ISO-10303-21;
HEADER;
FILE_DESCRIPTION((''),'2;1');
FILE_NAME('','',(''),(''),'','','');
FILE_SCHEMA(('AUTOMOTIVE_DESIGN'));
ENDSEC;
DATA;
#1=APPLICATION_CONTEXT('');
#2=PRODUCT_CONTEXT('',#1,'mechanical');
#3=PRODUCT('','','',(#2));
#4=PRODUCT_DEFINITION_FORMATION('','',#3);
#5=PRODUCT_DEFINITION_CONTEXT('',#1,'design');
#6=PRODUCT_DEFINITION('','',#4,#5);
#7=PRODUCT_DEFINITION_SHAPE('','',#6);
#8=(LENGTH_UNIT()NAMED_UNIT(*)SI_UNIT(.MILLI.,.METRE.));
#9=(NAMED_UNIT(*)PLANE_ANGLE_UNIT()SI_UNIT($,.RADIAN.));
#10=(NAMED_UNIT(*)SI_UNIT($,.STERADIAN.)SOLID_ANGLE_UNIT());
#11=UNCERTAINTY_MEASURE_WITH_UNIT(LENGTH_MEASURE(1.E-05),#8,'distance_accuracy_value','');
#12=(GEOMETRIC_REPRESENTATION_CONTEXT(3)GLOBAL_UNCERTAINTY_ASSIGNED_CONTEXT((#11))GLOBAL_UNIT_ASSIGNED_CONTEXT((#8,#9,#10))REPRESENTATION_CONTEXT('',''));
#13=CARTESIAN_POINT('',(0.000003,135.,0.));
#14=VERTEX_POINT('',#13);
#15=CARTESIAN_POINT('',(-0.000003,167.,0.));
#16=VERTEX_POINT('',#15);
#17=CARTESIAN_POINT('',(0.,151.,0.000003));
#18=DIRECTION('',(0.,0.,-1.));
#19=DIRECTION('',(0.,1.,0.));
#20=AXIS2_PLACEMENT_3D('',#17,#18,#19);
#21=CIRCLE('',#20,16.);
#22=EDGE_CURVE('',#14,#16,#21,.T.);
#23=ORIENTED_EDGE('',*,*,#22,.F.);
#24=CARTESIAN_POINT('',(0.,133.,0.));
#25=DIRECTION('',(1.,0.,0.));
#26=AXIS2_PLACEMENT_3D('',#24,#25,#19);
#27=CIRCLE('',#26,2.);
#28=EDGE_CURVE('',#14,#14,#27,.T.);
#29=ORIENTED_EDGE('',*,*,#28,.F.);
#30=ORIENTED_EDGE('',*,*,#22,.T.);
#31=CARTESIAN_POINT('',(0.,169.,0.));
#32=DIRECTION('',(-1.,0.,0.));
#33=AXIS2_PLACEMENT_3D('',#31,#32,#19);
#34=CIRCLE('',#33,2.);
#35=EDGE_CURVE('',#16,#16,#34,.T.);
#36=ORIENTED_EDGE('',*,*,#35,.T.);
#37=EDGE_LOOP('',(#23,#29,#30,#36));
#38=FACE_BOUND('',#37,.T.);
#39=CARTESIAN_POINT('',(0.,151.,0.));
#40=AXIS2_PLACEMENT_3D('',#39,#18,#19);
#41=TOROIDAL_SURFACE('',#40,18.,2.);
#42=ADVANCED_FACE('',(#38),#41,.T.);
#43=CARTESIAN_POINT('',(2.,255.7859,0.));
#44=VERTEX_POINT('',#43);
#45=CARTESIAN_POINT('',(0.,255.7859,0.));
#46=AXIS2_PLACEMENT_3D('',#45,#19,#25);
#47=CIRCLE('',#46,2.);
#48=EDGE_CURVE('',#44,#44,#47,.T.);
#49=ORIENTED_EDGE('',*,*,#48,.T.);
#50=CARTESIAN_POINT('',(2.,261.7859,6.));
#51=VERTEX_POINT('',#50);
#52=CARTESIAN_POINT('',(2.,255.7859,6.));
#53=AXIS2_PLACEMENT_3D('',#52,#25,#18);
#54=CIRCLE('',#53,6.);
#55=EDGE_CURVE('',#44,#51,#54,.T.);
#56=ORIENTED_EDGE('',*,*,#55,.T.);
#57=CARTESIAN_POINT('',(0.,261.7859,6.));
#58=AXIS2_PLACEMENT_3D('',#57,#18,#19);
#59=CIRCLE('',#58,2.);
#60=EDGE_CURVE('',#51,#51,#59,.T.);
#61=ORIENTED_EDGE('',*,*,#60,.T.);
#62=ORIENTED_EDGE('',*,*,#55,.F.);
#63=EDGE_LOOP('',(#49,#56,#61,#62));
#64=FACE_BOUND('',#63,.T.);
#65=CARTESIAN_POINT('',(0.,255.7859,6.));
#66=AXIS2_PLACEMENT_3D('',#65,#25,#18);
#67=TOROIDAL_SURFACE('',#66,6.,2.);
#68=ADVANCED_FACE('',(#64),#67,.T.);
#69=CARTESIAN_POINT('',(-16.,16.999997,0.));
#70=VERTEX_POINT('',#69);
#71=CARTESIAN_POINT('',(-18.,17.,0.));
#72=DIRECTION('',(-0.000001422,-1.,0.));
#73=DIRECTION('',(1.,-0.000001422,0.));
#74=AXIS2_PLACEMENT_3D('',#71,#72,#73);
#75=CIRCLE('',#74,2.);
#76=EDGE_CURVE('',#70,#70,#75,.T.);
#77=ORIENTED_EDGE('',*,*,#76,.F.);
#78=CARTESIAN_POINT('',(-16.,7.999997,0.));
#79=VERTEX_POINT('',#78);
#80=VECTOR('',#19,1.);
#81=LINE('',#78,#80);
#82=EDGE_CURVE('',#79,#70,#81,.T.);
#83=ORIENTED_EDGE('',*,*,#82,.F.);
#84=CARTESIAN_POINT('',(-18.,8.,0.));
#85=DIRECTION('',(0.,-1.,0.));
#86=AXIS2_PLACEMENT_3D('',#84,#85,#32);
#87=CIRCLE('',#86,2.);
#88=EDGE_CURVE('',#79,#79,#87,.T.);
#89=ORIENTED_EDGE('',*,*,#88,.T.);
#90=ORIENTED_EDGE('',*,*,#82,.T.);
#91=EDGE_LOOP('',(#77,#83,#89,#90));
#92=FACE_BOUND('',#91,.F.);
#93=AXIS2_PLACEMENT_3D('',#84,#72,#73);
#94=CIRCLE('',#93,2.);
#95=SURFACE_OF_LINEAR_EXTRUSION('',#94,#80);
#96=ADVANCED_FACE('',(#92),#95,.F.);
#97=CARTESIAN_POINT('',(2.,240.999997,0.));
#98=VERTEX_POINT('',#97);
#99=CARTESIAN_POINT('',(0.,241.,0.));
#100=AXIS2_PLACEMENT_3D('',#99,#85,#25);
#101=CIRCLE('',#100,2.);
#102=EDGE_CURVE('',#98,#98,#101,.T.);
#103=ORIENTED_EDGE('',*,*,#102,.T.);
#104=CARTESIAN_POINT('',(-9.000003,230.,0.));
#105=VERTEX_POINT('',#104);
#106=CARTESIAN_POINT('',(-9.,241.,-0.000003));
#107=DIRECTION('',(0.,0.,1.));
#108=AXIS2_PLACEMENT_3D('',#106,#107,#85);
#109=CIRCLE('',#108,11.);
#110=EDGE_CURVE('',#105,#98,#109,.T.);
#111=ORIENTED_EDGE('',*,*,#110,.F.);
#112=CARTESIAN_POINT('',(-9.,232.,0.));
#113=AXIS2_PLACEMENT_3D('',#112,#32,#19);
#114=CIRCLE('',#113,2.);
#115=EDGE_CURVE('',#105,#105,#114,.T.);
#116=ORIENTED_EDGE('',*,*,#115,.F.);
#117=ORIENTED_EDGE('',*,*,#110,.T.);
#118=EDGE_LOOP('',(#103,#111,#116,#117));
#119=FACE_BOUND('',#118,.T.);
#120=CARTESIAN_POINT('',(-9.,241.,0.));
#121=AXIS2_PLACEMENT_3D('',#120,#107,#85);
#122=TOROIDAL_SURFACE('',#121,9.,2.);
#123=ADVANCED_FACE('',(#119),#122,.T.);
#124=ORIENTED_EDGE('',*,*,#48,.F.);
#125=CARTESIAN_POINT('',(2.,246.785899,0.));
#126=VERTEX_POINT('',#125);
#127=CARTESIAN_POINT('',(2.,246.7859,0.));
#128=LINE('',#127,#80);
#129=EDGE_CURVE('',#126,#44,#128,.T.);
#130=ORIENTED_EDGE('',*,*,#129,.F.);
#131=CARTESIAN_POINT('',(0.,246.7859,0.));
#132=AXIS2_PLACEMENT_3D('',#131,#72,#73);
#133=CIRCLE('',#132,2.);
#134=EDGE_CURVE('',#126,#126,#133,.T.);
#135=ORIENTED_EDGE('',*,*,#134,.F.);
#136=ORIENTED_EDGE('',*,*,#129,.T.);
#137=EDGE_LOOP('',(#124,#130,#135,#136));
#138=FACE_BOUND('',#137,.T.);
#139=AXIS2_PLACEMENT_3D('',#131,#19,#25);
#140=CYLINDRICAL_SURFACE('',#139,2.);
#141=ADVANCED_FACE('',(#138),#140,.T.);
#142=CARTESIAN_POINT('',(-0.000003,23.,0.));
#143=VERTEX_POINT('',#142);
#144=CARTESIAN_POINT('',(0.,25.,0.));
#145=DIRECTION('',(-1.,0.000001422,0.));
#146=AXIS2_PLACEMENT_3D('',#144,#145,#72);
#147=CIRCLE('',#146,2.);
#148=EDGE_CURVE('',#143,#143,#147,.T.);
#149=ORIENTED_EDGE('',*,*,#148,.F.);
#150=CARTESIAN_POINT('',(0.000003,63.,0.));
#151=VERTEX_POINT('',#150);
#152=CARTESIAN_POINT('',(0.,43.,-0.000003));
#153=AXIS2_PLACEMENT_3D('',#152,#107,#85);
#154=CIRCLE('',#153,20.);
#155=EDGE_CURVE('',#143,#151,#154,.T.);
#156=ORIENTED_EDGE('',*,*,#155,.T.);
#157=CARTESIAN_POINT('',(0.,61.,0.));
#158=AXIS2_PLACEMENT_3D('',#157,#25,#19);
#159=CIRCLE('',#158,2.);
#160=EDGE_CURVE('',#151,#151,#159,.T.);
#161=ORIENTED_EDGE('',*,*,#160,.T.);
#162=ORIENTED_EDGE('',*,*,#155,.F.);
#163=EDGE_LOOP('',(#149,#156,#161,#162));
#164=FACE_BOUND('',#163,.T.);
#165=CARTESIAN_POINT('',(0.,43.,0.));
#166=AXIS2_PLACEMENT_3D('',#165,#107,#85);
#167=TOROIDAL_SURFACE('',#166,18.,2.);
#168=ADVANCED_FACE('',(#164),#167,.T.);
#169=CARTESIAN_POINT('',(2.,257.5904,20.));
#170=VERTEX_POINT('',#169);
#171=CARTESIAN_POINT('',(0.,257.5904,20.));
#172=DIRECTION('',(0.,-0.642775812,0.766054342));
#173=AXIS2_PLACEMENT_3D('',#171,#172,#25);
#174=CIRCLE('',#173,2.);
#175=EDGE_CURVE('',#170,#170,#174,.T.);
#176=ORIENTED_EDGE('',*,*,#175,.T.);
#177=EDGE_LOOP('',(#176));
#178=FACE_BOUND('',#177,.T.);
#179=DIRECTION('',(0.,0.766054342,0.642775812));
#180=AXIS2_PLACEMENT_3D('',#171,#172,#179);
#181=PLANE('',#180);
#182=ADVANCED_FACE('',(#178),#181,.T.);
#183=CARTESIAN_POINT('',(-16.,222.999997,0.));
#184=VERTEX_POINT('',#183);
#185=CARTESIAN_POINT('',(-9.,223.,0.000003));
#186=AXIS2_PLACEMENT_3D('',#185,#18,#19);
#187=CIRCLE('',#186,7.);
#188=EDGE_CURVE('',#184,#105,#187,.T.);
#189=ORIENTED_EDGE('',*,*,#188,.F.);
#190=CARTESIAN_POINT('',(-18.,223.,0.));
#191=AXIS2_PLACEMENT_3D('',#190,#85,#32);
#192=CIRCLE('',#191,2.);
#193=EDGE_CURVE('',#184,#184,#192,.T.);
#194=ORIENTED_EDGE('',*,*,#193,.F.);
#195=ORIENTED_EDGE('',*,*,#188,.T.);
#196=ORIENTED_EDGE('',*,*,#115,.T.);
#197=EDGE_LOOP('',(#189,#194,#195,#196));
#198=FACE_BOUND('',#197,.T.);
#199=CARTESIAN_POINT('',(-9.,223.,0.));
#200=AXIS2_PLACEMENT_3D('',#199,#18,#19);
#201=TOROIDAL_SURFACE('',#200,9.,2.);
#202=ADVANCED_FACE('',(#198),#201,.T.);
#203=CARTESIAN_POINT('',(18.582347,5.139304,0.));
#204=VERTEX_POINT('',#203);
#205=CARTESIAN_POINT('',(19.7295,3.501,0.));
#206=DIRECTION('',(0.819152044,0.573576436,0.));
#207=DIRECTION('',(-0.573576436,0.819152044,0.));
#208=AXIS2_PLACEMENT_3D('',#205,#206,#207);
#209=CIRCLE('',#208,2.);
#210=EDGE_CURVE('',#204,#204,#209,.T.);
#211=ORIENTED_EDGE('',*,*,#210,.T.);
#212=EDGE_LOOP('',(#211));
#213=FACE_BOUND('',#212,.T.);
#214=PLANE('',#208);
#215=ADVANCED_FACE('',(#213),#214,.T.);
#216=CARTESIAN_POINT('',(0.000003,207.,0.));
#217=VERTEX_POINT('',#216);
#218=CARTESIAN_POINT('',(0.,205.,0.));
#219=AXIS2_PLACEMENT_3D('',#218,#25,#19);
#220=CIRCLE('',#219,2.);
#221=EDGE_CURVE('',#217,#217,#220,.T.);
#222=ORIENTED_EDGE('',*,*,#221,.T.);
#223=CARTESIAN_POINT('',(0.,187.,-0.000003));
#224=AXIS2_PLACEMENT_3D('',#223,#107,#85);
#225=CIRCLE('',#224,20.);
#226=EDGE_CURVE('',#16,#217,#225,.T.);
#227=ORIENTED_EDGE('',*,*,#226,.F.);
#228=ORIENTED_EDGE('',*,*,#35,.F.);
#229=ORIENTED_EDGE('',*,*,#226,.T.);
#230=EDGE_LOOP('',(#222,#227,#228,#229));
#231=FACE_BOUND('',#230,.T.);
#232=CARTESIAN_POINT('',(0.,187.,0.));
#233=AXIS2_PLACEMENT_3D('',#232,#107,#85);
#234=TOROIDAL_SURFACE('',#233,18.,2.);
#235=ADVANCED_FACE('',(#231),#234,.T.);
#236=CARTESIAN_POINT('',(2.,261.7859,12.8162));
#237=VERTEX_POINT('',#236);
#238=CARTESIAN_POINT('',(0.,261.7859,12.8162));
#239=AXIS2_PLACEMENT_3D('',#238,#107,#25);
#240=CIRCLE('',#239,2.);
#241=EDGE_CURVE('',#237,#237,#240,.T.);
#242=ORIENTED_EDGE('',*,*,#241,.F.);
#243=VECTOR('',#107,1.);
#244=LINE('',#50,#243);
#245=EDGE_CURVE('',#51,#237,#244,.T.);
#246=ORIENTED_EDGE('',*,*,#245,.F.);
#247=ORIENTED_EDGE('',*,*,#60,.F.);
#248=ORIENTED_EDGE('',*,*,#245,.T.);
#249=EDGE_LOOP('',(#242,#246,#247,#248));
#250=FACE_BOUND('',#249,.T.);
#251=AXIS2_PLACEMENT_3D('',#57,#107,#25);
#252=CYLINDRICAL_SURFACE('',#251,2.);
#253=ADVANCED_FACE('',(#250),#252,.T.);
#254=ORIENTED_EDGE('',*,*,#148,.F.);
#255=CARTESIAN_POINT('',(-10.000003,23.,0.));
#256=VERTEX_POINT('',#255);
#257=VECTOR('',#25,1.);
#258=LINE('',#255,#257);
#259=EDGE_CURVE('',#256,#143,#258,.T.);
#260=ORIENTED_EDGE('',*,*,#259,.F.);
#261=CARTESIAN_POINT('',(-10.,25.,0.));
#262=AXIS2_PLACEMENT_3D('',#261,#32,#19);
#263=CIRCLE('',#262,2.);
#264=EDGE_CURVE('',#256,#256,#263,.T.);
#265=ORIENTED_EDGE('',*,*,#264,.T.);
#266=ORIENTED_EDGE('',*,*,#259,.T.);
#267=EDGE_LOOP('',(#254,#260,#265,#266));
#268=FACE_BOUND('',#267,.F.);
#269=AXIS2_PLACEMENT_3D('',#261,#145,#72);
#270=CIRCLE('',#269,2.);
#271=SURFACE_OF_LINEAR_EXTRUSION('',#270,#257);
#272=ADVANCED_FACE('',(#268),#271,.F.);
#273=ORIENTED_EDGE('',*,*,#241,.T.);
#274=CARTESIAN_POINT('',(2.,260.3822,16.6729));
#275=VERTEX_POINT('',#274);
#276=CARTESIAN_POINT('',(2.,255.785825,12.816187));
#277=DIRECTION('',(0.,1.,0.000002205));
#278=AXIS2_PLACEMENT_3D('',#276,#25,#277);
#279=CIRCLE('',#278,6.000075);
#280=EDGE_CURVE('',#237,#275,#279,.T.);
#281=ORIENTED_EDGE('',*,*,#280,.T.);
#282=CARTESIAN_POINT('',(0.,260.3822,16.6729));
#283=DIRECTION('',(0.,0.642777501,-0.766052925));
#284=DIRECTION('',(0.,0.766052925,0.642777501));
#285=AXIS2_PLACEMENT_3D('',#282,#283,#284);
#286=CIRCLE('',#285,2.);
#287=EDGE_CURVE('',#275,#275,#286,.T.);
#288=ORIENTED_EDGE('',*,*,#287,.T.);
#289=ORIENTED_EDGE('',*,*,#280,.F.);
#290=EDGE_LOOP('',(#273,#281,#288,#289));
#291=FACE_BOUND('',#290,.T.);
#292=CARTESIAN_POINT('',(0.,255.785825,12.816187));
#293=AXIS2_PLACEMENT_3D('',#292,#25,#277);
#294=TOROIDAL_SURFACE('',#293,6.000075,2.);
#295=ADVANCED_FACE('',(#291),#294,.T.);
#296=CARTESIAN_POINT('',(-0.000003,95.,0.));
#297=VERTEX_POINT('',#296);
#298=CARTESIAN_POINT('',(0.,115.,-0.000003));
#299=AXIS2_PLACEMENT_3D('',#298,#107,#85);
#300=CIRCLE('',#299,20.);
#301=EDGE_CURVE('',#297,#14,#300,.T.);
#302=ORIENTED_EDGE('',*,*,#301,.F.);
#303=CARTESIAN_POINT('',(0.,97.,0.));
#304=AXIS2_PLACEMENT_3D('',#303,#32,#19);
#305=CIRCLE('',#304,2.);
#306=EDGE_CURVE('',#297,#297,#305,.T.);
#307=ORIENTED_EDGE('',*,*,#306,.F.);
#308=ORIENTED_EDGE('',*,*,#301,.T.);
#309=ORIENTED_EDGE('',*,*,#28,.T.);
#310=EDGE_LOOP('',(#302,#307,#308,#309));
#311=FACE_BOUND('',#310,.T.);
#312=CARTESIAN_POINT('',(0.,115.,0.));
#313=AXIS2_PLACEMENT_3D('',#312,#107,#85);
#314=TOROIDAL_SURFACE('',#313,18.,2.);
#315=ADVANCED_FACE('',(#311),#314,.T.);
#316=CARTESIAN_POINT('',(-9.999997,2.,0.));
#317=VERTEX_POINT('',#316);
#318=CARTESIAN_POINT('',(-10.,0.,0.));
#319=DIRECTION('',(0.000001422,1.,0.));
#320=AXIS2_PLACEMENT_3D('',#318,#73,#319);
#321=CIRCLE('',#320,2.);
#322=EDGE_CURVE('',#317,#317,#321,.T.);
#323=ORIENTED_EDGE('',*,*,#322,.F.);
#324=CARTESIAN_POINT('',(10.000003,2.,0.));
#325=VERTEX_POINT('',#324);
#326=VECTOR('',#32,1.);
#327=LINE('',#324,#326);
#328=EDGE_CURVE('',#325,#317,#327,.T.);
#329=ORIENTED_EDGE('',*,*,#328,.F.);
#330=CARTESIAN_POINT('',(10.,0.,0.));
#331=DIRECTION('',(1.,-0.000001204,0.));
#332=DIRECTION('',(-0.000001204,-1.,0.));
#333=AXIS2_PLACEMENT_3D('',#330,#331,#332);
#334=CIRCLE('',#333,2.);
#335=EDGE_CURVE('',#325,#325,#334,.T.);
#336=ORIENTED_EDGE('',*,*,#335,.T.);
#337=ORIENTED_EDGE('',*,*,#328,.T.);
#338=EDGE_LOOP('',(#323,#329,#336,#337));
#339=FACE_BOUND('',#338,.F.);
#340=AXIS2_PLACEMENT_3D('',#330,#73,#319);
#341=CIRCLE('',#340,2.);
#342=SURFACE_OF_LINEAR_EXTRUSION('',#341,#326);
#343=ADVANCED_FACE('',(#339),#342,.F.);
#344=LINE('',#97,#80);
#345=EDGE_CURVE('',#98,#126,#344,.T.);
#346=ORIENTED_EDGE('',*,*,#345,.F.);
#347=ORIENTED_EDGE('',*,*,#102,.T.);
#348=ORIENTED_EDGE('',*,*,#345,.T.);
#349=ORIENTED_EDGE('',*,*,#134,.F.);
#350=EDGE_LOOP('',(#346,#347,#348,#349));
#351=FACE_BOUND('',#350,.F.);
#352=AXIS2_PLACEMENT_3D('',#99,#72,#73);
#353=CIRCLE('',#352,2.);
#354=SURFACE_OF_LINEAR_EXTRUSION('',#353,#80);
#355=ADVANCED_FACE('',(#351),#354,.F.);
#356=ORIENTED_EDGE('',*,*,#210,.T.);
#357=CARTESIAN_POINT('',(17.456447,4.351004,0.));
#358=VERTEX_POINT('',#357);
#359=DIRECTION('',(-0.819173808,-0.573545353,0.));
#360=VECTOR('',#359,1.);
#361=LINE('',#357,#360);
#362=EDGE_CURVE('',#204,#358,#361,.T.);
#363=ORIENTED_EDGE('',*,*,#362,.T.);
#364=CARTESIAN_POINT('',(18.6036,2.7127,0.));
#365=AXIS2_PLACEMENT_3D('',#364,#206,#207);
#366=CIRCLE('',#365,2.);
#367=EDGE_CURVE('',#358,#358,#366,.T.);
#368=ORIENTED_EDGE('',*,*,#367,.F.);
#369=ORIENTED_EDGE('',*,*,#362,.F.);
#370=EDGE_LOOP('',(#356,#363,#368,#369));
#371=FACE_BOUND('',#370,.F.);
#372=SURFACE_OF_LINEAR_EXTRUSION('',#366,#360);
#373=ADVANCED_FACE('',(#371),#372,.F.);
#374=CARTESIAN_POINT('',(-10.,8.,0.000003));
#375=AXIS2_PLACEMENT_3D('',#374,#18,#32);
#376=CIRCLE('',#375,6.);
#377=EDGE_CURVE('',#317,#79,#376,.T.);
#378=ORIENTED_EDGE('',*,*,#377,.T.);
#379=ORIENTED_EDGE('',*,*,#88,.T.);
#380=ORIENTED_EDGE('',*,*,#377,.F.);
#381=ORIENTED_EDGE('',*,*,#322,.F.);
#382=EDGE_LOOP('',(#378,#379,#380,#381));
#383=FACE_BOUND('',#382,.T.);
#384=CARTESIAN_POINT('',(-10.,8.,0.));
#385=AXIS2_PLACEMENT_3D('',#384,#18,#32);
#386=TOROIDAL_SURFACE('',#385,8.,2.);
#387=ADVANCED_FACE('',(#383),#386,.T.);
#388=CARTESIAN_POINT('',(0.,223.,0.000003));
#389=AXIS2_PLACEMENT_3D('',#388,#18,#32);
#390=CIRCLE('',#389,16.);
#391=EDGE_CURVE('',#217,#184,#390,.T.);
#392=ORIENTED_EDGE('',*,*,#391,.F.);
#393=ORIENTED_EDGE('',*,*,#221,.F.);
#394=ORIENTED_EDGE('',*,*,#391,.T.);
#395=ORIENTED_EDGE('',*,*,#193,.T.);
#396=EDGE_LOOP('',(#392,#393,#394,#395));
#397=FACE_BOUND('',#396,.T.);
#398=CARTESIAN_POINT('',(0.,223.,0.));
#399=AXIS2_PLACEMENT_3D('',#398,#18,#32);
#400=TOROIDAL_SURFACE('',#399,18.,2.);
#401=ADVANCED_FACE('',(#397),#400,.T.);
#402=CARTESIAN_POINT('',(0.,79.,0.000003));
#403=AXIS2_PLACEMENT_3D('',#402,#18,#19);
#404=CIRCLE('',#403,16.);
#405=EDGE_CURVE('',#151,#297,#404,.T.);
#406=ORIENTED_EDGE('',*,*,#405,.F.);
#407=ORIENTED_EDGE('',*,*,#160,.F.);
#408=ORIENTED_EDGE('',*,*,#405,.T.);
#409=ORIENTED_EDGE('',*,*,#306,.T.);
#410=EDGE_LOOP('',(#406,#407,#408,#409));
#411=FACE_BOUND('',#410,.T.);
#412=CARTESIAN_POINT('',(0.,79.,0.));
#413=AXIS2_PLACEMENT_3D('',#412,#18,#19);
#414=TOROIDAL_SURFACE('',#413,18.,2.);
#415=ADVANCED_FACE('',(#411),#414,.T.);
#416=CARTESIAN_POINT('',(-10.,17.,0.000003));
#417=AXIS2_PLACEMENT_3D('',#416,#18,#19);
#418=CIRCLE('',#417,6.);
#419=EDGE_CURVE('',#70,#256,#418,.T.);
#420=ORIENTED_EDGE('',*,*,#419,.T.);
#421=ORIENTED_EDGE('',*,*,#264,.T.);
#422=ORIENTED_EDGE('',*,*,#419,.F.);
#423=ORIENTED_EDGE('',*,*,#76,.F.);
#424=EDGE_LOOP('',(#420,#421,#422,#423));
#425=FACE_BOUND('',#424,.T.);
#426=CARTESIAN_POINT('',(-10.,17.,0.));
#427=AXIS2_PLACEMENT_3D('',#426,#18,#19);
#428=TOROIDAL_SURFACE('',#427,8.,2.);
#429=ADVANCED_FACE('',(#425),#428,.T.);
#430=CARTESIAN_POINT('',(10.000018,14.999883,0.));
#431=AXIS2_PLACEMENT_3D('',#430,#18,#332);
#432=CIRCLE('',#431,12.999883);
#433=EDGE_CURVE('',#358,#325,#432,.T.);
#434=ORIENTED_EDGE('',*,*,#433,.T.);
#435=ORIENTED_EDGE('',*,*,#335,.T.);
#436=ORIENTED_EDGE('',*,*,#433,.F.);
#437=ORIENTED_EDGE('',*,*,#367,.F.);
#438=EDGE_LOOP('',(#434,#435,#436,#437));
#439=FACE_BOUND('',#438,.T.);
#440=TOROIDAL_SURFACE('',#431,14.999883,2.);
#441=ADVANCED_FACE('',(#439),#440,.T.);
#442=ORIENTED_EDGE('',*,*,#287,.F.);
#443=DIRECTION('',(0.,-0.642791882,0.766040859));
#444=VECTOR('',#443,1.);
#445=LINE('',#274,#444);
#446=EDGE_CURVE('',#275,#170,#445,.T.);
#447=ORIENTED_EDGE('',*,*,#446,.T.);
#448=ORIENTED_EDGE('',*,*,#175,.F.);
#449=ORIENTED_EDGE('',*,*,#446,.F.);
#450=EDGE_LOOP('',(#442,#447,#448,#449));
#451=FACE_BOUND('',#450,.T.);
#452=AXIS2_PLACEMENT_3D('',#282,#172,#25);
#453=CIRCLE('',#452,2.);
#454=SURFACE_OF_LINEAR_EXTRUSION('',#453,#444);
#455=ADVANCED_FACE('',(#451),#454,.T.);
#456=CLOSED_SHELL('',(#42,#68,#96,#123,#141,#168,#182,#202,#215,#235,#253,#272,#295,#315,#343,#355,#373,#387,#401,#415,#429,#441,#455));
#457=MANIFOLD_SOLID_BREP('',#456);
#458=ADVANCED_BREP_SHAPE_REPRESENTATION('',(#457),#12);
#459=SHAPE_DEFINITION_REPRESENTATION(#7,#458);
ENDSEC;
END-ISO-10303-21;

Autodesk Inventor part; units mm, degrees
ref_plane "YZ Plane" through (0, 0, 0) normal (1, 0, 0) x (0, 1, 0)
ref_plane "XZ Plane" through (0, 0, 0) normal (0, 1, 0) x (-1, 0, 0)
sketch "Sketch1" plane through (0, 0, 0) normal (0, 0, 1) x (1, 0, 0)
  line L0 (10, 0) -> (-10, 0)
  line L1 (-18, 8) -> (-18, 17)
  line L2 (-10, 25) -> (0, 25)
  line L3 (18.6036, 2.7127) -> (19.7295, 3.501)
  arc A0 (-10, 25) -> (-18, 17) centre (-10, 17) ccw
  arc A1 (-18, 8) -> (-10, 0) centre (-10, 8) ccw
  arc A2 (10, 0) -> (18.6036, 2.7127) centre (10, 15) ccw
  line L4 (0, 241) -> (0, 279.2364) construction
  arc A3 (0, 25) -> (0, 61) centre (0, 43) ccw
  arc A4 (0, 97) -> (0, 61) centre (0, 79) ccw
  arc A5 (0, 169) -> (0, 133) centre (0, 151) ccw
  arc A6 (-18, 223) -> (0, 205) centre (0, 223) ccw
  arc A7 (-9, 232) -> (-18, 223) centre (-9, 223) ccw
  line L5 (0, 223) -> (-9, 223) construction
  line L6 (0, 241) -> (0, 246.7859)
  line L7 (0, 97) -> (0, 133) construction
  line L8 (0, 169) -> (0, 205) construction
  arc A8 (0, 97) -> (0, 133) centre (0, 115) ccw
  arc A9 (0, 169) -> (0, 205) centre (0, 187) ccw
  arc A10 (-9, 232) -> (0, 241) centre (-9, 241) ccw
  point P0 (0, 0)
  point P1 (14.7295, 0)
  point P2 (-18, 0)
  point P3 (-18, 25)
  point P4 (0, 0)
  dimension "d1" = 5
  dimension "d2" = 35
  dimension "d3" = 25
  dimension "d5" = 8
  dimension "d6" = 18
  dimension "d7" = 15
  dimension "d10" = 36
  dimension "d11" = 36
  dimension "d13" = 36
  dimension "d17" = 18
  dimension "d18" = 9
  dimension "d19" = 151
  dimension "d20" = 223
  dimension "d21" = 9
  dimension "d22" = 18
  dimension "d23" = 9
ref_plane "Work Plane1" through (19.7295, 3.501, 0) normal (0.8192, 0.5736, 0) x (-0.5736, 0.8192, 0)
sketch "Sketch2" plane through (19.7295, 3.501, 0) normal (0.8192, 0.5736, 0) x (-0.5736, 0.8192, 0)
  circle A0 centre (0, 0) radius 2
  point P0 (8.4485, 0)
  dimension "d8" = 4
sweep "Sweep2" add profiles "Sketch2" path "Sketch1"
sketch "Sketch3" plane through (0, 0, 0) normal (1, 0, 0) x (0, 1, 0)
  line L0 (246.7859, 2) -> (246.7859, -2) projected
  line L1 (246.7859, 0) -> (255.7859, 0)
  line L2 (261.7859, 6) -> (261.7859, 12.8162)
  line L3 (260.3822, 16.6729) -> (257.5904, 20)
  arc A0 (255.7859, 0) -> (261.7859, 6) centre (255.7859, 6) ccw
  arc A1 (261.7859, 12.8162) -> (260.3822, 16.6729) centre (255.7859, 12.8162) ccw
  point P0 (0, 0)
  point P1 (261.7859, 0)
  point P2 (261.7859, 15)
  dimension "d25" = 15
  dimension "d26" = 15
  dimension "d27" = 40
  dimension "d28" = 5
  dimension "d29" = 6
sketch "Sketch4" plane through (0, 246.7859, 0) normal (0, 1, 0) x (1, 0, 0)
  circle A0 centre (0, 0) radius 2 projected
sweep "Sweep3" add profiles "Sketch4" path "Sketch3" path curves L1 A0 L2 A1 L3
equation "\"d11\" = d10"
equation "\"d13\" = d10"
equation "\"d15\" = d10"
properties part number "314-12" material "Stainless Steel"
